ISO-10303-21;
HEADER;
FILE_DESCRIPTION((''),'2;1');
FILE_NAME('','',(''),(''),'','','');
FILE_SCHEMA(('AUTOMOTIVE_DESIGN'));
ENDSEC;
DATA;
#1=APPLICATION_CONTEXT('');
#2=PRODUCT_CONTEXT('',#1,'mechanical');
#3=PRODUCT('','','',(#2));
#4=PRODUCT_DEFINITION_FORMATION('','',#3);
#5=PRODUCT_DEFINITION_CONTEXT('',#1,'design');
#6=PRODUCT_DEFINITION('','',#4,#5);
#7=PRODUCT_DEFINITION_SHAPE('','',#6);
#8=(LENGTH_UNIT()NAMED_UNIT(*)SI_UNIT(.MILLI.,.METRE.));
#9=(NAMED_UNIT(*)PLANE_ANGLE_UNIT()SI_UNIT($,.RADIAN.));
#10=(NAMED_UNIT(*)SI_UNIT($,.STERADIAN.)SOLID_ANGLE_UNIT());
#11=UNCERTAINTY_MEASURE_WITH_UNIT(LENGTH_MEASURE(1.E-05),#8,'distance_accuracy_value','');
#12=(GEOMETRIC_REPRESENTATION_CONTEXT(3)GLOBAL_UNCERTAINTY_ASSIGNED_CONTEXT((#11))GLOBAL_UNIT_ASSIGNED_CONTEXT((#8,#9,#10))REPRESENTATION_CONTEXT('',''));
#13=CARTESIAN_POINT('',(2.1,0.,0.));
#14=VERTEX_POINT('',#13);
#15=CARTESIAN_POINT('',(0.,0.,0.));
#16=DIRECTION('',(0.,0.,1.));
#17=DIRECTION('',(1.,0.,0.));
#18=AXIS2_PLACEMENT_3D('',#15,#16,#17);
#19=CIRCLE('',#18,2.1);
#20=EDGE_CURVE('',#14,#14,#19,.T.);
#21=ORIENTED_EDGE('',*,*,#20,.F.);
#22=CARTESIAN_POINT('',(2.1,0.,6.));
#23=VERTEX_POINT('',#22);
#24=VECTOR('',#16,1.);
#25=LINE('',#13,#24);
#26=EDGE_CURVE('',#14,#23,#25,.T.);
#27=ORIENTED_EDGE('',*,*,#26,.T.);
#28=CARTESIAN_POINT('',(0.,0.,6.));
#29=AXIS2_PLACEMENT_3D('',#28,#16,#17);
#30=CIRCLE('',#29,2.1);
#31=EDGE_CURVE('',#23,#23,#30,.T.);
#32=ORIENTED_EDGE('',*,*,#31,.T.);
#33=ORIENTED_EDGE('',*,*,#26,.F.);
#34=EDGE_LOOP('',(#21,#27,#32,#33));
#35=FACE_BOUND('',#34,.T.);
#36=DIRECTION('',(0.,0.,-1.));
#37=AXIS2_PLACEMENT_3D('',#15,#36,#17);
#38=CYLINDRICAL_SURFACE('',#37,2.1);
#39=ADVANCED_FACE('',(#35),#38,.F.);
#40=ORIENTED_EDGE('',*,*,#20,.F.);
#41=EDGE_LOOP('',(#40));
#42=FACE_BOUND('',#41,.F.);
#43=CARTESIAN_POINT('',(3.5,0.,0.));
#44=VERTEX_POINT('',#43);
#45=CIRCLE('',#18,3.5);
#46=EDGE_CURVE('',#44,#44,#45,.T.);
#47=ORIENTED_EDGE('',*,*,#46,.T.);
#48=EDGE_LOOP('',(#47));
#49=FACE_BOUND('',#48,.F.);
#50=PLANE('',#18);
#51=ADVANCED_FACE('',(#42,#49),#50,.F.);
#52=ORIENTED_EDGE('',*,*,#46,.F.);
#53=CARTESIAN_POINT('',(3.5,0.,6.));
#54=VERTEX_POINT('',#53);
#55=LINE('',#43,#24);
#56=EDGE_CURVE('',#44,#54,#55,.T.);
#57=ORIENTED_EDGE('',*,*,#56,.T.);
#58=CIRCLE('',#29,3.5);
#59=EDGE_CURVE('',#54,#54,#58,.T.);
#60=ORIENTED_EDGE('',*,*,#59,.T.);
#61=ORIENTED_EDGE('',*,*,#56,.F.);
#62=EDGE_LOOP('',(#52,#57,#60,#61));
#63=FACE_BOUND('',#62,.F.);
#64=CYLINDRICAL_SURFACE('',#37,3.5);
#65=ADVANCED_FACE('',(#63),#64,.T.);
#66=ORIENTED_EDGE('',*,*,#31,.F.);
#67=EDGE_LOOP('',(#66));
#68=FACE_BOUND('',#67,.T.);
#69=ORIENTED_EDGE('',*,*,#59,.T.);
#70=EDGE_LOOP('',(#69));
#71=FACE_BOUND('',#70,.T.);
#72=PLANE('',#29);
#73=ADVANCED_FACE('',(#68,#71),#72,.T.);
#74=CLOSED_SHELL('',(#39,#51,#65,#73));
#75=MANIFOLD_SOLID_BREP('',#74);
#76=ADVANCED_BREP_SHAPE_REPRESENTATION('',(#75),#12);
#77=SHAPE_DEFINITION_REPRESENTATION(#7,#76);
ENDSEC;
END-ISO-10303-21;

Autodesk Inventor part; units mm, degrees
ref_plane "YZ Plane" through (0, 0, 0) normal (1, 0, 0) x (0, 1, 0)
ref_plane "XZ Plane" through (0, 0, 0) normal (0, 1, 0) x (-1, 0, 0)
ref_plane "XY Plane" through (0, 0, 0) normal (0, 0, 1) x (1, 0, 0)
sketch "スケッチ1" plane through (0, 0, 0) normal (0, 0, 1) x (1, 0, 0)
  circle A0 centre (0, 0) radius 2.1
  circle A1 centre (0, 0) radius 3.5
  dimension "d0" = 4.2
  dimension "d1" = 1.4
extrude "押し出し1" add sketch "スケッチ1" along normal blind 6
properties part number "シムリング0407.6t自作" material "アルミニウム 2014-T4"
